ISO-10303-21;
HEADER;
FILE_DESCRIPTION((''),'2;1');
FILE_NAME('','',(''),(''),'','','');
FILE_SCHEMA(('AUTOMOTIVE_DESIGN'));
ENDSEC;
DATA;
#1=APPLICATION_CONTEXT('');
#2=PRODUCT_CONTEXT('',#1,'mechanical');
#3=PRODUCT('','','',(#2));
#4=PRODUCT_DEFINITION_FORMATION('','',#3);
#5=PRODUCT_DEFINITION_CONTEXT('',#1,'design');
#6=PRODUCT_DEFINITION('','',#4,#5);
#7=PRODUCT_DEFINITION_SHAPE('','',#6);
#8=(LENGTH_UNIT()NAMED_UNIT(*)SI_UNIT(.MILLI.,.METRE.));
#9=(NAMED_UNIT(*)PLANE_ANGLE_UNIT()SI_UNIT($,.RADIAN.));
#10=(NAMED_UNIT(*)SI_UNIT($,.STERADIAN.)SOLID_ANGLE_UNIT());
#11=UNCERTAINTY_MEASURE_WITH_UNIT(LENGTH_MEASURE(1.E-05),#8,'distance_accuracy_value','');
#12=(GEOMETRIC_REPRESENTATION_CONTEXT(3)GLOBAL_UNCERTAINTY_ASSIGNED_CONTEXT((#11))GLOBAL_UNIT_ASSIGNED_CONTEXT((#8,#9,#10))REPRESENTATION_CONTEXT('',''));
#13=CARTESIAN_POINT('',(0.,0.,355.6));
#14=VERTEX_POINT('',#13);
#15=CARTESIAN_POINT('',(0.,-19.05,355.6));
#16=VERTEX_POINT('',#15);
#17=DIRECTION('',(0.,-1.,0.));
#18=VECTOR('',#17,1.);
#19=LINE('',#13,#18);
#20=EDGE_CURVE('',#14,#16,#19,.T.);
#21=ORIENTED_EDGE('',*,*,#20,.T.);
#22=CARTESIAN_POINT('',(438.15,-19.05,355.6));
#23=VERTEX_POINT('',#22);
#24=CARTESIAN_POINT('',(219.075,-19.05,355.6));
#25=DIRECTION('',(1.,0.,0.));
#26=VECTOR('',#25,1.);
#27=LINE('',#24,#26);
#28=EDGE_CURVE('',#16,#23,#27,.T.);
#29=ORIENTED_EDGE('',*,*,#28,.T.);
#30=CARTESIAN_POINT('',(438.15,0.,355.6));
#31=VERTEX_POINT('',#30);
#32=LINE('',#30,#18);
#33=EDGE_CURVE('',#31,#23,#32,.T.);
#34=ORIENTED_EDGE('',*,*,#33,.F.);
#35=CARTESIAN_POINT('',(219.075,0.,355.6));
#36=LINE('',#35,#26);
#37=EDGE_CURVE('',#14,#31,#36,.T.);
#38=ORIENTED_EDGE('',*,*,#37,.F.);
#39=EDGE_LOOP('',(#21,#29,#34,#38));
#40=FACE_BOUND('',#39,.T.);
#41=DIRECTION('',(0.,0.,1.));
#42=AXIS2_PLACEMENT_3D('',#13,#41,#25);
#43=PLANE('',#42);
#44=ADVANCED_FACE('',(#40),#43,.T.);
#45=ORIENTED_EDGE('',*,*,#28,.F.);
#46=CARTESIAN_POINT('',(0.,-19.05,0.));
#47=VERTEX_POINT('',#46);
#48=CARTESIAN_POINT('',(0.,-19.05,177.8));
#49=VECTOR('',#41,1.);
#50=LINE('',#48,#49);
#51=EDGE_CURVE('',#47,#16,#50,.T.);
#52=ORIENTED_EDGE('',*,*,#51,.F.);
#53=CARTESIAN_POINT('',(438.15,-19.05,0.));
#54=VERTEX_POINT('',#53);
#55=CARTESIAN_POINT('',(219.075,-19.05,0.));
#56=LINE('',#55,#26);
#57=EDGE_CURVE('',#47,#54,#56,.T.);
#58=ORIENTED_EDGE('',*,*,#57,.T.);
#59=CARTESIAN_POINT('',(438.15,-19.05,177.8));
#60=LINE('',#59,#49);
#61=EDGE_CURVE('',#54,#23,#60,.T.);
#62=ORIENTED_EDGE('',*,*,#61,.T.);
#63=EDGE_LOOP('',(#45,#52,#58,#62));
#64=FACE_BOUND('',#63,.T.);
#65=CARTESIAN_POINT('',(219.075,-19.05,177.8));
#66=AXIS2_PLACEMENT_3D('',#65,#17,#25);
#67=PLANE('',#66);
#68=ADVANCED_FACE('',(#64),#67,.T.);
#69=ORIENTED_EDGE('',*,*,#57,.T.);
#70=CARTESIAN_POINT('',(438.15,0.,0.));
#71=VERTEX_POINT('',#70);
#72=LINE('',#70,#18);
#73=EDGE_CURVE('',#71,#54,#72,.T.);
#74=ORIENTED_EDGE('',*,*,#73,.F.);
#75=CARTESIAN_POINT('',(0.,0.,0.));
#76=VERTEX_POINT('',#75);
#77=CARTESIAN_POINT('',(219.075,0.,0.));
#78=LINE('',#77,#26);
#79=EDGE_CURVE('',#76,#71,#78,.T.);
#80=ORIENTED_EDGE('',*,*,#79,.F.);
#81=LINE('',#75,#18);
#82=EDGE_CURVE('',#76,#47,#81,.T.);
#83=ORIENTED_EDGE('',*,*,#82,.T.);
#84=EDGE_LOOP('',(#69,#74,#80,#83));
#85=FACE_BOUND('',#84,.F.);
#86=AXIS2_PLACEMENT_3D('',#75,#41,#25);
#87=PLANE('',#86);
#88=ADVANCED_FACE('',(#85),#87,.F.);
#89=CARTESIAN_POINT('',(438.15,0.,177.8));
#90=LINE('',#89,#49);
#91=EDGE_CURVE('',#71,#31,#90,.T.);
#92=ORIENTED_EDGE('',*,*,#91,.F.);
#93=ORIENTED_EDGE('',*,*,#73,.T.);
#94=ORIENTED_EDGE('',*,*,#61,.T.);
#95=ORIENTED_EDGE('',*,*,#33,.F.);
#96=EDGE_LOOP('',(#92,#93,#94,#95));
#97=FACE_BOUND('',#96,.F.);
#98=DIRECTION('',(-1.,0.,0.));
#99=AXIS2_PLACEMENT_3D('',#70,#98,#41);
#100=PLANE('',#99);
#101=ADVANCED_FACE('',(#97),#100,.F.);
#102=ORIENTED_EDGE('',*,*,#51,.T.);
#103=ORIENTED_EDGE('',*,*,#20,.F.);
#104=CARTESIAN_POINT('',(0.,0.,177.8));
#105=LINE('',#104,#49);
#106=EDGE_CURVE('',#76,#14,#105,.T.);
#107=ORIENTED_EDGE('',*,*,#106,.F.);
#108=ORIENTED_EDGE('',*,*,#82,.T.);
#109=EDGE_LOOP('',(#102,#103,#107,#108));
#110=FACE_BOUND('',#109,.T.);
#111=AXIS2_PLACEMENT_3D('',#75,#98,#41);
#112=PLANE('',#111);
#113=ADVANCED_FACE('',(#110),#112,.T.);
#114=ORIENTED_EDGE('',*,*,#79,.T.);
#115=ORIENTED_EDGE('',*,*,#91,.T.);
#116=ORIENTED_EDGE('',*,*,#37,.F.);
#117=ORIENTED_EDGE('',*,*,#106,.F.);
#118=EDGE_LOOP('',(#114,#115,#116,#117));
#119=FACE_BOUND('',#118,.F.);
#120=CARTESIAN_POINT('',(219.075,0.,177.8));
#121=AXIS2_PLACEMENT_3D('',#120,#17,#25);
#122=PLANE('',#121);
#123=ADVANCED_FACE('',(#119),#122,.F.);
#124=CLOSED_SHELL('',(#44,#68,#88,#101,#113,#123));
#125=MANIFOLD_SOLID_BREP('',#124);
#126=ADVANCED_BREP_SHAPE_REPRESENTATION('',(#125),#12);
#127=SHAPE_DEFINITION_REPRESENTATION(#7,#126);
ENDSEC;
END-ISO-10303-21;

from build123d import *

# Parameters (mm, degrees)
F0_W     = 438.15
F0_H     = 355.6
F1_DEPTH = 19.05
F0_W_2   = 8.1390114404
F0_H_2   = 77.3205896731


with BuildPart() as f1:
    # F0 (on Front) → F1 (new body)
    with BuildSketch(Plane.XZ):
        with Locations((219.075, 177.8)):
            Rectangle(F0_W, F0_H)
    extrude(amount=F1_DEPTH)


with BuildPart() as f1b:
    # F0 (on Front) → F1, piece 2 (new body)
    with BuildSketch(Plane.XZ):
        with Locations((215.6837597177, -76.6423418882)):
            Rectangle(F0_W_2, F0_H_2)
    extrude(amount=F1_DEPTH)


solid = f1.part
